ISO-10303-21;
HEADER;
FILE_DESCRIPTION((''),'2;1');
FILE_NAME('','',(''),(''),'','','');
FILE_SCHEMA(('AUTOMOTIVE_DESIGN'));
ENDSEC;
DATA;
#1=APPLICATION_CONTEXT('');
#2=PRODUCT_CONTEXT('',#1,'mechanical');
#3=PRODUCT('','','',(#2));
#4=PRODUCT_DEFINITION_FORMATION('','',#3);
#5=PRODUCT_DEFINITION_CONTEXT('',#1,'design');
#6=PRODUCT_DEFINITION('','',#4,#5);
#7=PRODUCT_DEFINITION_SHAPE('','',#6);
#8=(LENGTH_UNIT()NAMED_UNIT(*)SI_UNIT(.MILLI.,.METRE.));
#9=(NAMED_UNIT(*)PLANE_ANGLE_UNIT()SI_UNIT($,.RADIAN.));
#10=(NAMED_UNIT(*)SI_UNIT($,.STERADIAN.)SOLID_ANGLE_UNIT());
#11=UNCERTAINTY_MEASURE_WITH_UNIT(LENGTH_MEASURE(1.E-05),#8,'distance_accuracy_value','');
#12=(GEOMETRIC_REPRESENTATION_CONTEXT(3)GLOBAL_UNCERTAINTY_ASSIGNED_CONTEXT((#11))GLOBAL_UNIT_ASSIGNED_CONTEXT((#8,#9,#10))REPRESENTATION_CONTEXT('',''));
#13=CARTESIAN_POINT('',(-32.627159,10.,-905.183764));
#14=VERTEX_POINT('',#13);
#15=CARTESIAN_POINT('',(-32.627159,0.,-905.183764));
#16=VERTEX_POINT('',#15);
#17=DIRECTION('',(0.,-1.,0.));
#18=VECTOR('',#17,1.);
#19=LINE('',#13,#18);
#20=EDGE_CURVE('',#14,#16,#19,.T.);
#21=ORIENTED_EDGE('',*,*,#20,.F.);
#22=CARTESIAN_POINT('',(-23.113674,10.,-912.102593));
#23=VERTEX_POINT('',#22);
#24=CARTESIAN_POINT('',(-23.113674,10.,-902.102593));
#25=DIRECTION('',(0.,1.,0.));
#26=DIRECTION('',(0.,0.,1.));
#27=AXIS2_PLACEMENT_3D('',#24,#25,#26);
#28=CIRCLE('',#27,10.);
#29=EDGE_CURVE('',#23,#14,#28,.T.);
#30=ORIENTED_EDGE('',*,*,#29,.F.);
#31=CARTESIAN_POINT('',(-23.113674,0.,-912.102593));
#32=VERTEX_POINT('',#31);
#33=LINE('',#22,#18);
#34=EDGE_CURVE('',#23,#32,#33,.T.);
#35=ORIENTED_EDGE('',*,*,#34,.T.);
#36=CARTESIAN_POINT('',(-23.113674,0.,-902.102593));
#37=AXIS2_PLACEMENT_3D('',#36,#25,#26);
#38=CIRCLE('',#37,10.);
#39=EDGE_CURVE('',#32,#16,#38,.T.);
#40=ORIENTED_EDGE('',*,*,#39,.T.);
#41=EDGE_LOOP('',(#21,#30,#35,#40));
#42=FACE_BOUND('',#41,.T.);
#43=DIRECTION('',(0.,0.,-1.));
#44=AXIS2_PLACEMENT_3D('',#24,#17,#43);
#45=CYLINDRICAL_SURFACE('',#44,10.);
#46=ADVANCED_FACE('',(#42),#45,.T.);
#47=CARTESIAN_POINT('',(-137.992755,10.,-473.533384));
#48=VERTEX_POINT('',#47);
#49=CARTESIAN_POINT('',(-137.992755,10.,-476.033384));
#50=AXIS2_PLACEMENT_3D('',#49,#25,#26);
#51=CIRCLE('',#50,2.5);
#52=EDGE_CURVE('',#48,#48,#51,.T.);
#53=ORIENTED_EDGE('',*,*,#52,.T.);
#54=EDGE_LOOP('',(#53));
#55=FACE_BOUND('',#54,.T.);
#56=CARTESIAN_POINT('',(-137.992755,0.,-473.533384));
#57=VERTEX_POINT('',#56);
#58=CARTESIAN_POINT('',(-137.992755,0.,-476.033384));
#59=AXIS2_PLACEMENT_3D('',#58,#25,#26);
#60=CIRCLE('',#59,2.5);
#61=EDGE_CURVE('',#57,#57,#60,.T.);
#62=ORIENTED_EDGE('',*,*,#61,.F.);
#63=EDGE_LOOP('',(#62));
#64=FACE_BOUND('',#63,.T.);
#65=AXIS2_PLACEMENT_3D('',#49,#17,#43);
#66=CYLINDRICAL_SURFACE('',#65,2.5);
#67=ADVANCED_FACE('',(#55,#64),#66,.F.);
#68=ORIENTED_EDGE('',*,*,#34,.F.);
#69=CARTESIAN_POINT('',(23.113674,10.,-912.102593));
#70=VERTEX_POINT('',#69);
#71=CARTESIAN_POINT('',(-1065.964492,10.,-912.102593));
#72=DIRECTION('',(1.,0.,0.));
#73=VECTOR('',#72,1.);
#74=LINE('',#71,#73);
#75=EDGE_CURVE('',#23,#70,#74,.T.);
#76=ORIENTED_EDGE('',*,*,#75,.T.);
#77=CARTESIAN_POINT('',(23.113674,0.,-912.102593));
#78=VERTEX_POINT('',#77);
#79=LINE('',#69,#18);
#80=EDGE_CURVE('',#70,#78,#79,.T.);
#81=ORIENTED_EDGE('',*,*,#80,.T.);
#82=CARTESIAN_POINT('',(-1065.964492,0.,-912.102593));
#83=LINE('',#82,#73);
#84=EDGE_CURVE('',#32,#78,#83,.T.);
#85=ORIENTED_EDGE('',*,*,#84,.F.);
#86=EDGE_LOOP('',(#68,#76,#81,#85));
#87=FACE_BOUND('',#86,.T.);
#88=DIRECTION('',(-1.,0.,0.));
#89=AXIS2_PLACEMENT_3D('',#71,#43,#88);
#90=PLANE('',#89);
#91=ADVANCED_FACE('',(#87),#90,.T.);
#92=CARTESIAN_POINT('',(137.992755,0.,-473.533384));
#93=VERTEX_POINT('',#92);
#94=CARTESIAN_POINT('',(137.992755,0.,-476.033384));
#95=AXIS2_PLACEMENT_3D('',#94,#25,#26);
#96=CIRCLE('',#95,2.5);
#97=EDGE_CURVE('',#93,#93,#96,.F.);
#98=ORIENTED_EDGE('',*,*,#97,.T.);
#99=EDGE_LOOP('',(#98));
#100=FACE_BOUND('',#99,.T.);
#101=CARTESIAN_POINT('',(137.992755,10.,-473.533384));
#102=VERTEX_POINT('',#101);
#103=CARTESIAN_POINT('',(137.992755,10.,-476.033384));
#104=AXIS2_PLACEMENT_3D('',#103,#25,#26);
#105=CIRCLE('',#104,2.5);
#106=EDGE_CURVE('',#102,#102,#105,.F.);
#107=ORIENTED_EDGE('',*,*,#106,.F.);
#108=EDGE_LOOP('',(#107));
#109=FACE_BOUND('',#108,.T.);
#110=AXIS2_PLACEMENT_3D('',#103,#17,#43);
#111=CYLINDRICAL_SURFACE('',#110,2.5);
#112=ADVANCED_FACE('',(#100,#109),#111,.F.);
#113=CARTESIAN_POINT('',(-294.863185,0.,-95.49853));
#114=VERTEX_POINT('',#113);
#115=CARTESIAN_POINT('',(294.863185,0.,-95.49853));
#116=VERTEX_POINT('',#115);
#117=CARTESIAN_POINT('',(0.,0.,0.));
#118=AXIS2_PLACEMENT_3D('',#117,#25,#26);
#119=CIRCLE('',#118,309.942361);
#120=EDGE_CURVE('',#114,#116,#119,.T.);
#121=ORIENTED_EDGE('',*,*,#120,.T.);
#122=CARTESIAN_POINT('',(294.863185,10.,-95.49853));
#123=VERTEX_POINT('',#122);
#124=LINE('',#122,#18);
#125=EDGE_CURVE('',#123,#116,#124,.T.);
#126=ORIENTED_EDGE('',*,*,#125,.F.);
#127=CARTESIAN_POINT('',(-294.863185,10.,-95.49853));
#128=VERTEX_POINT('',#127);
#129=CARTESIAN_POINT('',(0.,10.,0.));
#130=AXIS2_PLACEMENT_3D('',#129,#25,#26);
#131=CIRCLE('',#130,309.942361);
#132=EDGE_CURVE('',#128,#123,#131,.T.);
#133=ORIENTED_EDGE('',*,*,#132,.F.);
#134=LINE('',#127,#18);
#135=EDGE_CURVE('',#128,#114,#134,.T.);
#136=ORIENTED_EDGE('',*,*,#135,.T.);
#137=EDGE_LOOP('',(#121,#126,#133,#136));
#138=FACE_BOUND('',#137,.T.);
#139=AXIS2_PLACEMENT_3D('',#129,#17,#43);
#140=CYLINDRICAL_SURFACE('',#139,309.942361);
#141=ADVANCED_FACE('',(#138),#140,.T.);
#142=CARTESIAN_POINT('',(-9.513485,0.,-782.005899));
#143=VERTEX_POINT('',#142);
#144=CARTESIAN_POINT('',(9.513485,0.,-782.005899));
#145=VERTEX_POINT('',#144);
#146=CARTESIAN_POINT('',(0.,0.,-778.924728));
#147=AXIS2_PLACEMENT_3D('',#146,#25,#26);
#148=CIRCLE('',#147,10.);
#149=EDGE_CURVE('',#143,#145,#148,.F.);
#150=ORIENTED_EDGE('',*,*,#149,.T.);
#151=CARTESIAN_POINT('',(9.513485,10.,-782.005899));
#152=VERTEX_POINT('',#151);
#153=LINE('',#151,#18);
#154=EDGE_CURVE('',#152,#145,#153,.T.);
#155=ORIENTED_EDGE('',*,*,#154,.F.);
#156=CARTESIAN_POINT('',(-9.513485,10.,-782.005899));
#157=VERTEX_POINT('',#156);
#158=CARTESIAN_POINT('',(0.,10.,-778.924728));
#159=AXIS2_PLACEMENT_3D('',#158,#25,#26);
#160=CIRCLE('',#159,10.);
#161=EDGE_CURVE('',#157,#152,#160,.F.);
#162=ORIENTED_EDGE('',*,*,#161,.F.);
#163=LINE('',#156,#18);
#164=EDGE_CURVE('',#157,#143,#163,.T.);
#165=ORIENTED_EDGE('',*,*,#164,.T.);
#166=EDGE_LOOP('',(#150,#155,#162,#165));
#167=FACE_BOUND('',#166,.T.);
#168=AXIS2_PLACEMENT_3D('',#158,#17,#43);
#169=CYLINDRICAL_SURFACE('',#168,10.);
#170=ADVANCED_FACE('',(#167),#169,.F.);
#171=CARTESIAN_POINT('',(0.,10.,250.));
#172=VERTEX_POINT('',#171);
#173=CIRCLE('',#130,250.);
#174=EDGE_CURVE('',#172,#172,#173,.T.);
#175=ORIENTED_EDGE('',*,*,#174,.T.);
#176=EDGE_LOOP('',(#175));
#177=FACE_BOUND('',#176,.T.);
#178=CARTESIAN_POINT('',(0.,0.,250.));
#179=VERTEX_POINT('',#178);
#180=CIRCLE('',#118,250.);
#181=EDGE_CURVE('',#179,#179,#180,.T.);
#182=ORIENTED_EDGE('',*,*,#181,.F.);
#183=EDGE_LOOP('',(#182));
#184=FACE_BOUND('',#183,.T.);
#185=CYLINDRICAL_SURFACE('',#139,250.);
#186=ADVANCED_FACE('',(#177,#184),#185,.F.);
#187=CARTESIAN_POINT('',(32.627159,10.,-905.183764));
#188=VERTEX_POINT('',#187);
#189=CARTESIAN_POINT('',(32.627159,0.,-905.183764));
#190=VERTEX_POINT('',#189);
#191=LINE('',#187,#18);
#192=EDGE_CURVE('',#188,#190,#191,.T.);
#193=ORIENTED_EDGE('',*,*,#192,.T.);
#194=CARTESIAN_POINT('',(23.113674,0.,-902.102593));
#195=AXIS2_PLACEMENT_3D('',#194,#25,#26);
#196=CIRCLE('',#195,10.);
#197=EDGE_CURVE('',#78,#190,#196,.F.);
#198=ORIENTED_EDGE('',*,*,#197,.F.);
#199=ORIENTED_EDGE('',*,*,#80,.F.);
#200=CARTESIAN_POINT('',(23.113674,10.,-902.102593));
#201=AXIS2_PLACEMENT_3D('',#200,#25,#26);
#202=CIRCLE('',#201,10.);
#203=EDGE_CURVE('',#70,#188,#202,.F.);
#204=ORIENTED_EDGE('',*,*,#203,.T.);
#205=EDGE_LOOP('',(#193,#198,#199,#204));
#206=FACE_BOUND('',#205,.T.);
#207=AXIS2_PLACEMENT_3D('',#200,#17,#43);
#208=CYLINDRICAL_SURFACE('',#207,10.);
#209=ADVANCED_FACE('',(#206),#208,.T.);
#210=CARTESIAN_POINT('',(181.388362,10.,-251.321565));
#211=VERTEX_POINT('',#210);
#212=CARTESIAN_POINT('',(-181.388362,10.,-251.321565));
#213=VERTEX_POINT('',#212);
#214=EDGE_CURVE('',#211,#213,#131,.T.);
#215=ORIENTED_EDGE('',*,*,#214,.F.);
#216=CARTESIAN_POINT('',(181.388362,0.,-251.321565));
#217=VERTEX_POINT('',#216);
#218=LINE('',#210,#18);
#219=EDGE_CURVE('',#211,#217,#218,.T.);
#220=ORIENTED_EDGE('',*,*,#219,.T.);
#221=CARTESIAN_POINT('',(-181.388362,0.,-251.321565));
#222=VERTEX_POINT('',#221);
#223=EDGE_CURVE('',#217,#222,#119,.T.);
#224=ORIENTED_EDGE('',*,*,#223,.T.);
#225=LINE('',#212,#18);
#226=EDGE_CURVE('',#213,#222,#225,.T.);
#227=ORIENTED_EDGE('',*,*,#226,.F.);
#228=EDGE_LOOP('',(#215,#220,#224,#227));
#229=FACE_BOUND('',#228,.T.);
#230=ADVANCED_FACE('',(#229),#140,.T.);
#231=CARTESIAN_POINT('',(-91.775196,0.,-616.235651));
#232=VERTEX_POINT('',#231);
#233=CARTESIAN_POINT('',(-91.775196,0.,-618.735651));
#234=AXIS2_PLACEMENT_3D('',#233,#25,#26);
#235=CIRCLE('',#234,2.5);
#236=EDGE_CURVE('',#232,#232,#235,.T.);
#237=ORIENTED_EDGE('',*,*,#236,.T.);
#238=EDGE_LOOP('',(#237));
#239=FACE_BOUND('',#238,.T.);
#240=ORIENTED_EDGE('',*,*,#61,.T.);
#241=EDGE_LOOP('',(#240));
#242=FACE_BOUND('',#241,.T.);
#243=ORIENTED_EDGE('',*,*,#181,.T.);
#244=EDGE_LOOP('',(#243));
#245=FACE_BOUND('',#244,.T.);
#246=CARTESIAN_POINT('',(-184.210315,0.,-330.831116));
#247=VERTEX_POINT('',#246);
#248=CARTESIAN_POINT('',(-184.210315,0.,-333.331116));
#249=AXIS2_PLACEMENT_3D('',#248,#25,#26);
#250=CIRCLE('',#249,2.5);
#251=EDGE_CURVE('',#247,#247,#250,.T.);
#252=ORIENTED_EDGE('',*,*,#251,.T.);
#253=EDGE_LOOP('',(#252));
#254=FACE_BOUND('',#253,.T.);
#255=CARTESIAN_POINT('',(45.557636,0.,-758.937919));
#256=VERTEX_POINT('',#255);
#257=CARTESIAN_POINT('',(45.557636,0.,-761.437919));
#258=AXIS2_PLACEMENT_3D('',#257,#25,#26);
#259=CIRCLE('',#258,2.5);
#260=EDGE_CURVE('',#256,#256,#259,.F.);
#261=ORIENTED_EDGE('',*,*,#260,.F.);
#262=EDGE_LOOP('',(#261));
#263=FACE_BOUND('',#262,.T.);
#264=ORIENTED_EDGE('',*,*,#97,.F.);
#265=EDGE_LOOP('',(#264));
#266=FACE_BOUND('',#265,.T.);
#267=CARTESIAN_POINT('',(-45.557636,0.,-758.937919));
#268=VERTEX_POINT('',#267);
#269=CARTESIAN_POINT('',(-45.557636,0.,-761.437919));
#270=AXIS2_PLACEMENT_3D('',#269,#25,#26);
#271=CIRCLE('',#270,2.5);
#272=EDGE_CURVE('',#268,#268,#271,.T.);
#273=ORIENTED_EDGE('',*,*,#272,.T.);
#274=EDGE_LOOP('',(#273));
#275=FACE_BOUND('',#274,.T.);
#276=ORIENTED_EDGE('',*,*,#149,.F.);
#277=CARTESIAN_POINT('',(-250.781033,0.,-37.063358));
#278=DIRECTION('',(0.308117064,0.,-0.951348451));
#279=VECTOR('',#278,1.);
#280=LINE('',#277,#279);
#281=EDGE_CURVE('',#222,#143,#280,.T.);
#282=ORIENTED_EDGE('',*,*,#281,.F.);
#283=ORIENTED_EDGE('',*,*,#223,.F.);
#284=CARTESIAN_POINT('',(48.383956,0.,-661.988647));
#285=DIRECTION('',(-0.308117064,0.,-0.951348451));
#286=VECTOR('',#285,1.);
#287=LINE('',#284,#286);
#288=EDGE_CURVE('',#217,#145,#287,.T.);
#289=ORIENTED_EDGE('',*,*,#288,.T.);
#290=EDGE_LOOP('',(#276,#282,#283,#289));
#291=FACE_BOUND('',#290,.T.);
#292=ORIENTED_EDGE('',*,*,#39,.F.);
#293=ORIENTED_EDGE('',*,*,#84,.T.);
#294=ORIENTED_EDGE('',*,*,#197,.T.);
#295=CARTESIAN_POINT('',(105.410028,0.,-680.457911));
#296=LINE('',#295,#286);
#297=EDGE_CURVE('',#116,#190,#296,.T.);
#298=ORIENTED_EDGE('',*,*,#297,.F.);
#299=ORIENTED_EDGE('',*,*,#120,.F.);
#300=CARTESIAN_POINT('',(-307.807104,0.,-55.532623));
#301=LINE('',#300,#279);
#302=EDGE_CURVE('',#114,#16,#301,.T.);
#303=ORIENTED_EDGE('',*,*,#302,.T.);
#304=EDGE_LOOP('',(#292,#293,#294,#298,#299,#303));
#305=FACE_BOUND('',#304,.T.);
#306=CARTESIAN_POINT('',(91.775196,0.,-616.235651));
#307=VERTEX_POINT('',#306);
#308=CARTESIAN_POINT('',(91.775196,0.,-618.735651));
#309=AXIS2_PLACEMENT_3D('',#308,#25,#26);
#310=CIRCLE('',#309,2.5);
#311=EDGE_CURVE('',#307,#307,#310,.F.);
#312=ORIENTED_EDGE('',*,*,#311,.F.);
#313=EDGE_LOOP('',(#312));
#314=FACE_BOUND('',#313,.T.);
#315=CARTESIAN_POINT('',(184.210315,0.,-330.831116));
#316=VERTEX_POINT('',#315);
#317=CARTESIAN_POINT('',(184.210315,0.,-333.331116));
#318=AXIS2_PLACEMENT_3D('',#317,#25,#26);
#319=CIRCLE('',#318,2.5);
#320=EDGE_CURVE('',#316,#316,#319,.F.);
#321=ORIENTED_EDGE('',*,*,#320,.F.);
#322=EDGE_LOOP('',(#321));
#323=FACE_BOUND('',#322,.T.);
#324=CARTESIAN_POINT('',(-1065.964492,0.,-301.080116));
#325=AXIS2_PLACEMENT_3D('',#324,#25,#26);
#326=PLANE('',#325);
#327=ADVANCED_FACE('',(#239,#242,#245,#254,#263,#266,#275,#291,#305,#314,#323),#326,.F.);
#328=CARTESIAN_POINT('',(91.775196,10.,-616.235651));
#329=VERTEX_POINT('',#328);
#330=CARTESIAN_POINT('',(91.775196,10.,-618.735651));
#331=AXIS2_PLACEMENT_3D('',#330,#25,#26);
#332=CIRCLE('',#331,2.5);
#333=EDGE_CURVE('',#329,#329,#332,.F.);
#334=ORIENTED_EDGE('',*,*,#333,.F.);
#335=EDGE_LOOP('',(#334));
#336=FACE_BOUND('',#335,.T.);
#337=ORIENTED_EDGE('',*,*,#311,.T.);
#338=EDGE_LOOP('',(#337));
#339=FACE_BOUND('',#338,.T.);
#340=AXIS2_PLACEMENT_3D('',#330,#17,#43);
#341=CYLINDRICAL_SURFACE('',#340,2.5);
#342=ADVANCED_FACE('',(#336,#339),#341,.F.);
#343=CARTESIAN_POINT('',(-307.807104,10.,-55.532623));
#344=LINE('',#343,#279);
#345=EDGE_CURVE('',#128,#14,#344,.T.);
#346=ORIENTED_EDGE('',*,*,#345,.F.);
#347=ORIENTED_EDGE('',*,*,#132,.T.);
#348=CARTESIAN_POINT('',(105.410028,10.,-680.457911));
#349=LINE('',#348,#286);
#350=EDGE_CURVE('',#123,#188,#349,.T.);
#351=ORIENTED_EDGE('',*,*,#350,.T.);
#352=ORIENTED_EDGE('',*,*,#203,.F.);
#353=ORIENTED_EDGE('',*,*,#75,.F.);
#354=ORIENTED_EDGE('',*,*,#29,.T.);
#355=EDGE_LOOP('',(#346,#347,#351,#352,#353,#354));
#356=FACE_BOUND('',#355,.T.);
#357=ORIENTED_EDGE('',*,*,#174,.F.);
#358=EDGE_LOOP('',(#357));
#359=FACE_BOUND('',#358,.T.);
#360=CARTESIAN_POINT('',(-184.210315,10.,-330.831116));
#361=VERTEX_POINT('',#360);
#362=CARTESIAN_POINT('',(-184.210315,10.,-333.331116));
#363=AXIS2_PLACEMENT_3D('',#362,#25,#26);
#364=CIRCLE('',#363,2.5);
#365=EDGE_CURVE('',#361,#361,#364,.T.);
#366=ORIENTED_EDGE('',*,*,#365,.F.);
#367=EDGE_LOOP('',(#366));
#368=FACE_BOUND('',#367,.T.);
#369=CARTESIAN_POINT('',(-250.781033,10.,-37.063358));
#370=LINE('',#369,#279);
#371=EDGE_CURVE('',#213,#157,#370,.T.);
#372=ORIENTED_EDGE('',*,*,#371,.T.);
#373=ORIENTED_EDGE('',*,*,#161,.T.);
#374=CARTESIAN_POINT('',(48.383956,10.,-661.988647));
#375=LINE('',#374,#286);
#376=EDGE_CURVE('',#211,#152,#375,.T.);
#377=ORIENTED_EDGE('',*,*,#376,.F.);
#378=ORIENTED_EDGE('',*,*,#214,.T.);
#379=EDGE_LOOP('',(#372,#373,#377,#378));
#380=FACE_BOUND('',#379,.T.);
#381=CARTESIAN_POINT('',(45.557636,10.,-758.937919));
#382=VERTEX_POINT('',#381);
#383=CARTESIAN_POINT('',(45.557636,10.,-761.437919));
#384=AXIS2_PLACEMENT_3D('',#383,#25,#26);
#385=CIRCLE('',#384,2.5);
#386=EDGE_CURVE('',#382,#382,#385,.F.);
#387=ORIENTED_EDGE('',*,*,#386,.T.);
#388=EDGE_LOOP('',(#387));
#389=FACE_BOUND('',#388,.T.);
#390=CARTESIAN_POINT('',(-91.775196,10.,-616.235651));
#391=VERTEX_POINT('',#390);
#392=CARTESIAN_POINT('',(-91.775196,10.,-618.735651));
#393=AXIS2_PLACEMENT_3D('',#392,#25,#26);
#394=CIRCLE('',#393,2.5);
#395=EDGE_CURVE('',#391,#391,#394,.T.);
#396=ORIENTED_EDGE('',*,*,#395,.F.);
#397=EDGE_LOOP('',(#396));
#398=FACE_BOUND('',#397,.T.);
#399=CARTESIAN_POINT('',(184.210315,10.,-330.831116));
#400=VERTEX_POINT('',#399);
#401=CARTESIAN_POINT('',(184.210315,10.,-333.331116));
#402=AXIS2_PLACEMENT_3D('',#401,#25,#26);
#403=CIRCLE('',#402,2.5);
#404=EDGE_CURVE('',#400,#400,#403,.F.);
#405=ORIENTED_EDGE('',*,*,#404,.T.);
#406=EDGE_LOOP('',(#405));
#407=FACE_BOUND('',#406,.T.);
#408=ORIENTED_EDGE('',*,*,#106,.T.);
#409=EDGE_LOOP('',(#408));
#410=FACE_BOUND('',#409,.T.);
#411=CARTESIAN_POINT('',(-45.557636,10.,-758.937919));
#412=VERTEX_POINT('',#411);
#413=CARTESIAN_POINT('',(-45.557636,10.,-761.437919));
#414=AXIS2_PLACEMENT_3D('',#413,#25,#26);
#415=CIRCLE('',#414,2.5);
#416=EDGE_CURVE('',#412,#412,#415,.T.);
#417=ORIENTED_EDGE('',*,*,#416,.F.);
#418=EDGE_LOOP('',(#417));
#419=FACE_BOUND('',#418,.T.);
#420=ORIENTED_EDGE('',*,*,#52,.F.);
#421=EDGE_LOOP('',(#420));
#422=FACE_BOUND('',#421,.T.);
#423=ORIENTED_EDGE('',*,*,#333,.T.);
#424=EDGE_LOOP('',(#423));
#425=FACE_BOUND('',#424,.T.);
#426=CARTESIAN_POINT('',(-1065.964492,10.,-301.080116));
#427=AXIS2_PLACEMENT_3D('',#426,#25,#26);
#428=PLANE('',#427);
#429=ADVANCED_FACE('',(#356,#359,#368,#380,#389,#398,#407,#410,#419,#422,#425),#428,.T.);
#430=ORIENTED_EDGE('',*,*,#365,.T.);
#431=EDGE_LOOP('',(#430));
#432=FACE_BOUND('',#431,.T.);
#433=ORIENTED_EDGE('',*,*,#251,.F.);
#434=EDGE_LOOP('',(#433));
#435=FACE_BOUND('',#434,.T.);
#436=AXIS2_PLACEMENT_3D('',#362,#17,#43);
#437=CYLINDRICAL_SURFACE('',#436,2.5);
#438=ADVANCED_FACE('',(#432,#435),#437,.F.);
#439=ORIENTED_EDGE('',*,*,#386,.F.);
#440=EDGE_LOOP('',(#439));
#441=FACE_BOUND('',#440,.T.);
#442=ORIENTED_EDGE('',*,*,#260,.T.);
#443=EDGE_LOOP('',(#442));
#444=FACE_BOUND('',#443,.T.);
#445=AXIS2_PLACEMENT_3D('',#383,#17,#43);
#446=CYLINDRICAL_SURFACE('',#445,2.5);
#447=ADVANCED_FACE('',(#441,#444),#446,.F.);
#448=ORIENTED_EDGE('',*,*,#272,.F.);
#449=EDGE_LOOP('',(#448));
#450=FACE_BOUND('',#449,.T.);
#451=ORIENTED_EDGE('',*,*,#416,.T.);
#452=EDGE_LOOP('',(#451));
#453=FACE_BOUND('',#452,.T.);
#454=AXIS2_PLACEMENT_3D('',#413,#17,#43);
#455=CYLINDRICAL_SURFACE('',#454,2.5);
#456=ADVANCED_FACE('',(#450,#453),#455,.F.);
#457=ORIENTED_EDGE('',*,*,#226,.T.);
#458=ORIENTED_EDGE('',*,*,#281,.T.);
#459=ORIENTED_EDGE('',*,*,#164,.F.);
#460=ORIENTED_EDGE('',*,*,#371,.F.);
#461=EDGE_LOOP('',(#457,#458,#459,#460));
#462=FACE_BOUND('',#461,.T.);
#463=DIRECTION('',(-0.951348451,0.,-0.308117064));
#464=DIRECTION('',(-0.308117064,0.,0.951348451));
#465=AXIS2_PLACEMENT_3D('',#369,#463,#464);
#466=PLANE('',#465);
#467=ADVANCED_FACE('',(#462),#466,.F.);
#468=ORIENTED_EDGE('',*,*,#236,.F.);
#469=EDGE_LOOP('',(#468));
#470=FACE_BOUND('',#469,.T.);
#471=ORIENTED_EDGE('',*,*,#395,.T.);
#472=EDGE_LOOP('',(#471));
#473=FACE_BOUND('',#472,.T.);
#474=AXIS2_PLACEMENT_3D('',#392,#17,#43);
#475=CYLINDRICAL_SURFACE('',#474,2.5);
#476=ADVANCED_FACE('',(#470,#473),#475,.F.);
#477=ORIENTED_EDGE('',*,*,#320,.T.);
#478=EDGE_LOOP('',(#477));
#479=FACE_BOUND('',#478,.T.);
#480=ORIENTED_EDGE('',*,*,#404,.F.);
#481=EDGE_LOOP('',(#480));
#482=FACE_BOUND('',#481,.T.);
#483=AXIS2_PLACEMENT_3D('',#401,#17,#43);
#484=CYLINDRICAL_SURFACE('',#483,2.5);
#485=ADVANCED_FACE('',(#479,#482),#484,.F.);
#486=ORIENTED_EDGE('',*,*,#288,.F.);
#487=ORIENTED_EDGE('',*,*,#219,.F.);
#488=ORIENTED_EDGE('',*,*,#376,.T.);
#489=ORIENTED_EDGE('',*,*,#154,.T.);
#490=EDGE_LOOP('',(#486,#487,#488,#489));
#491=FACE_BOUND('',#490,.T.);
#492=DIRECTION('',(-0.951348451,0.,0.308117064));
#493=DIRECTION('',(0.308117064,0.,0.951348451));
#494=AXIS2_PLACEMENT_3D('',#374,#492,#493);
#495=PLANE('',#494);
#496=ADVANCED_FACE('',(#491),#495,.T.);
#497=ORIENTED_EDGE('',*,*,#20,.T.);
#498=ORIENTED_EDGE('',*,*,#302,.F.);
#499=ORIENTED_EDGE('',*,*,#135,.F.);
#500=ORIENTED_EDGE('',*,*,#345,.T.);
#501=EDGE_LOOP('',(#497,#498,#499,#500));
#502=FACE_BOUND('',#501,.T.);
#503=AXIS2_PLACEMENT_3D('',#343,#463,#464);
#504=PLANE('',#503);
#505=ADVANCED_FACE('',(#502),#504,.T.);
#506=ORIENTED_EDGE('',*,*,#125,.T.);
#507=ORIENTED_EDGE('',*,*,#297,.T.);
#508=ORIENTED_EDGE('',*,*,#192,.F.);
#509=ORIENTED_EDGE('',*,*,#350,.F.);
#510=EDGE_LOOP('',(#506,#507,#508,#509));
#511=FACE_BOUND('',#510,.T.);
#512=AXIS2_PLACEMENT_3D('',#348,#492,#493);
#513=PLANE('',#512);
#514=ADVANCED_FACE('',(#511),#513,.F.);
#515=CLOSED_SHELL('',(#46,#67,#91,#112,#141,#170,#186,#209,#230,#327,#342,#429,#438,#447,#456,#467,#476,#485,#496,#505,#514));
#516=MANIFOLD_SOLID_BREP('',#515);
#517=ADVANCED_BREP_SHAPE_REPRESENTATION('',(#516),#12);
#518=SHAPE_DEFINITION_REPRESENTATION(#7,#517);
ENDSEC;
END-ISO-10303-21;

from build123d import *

# Parameters (mm, degrees)
SKETCH2_R           = 250
SKETCH2_R_2         = 2.5
BOSS_EXTRUDE1_DEPTH = 10


with BuildPart() as part:
    # Sketch2 → Boss-Extrude1 (new body)
    with BuildSketch(Plane(origin=(0, 0, 0), x_dir=(1, 0, 0), z_dir=(0, 1, 0))):
        with BuildLine():
            Line((-32.627158959, 905.183764104), (-294.863184644, 95.498530059))
            ThreePointArc((-294.863184644, 95.498530059), (0, -309.942360613), (294.863184644, 95.498530059))
            Line((294.863184644, 95.498530059), (32.627158959, 905.183764104))
            ThreePointArc((32.627158959, 905.183764104), (28.995353361, 910.189981994), (23.11367445, 912.102593467))
            Line((23.11367445, 912.102593467), (-23.11367445, 912.102593467))
            ThreePointArc((-23.11367445, 912.102593467), (-28.995353361, 910.189981994), (-32.627158959, 905.183764104))
        make_face()
        Circle(SKETCH2_R, mode=Mode.SUBTRACT)
        with Locations((-184.210314713, 333.331115971)):
            Circle(SKETCH2_R_2, mode=Mode.SUBTRACT)
        with Locations((-137.992755162, 476.03338361)):
            Circle(SKETCH2_R_2, mode=Mode.SUBTRACT)
        with Locations((-91.775195611, 618.735651249)):
            Circle(SKETCH2_R_2, mode=Mode.SUBTRACT)
        with Locations((-45.557636061, 761.437918887)):
            Circle(SKETCH2_R_2, mode=Mode.SUBTRACT)
        with BuildLine():
            ThreePointArc((181.388362207, 251.321564848), (0, 309.942360613), (-181.388362207, 251.321564848))
            Line((-181.388362207, 251.321564848), (-9.513484509, 782.005898596))
            ThreePointArc((-9.513484509, 782.005898596), (0, 788.92472796), (9.513484509, 782.005898596))
            Line((9.513484509, 782.005898596), (181.388362207, 251.321564848))
        make_face(mode=Mode.SUBTRACT)
        with Locations((137.992755162, 476.03338361)):
            Circle(SKETCH2_R_2, mode=Mode.SUBTRACT)
        with Locations((184.210314713, 333.331115971)):
            Circle(SKETCH2_R_2, mode=Mode.SUBTRACT)
        with Locations((91.775195611, 618.735651249)):
            Circle(SKETCH2_R_2, mode=Mode.SUBTRACT)
        with Locations((45.557636061, 761.437918887)):
            Circle(SKETCH2_R_2, mode=Mode.SUBTRACT)
    extrude(amount=BOSS_EXTRUDE1_DEPTH)


solid = part.part
